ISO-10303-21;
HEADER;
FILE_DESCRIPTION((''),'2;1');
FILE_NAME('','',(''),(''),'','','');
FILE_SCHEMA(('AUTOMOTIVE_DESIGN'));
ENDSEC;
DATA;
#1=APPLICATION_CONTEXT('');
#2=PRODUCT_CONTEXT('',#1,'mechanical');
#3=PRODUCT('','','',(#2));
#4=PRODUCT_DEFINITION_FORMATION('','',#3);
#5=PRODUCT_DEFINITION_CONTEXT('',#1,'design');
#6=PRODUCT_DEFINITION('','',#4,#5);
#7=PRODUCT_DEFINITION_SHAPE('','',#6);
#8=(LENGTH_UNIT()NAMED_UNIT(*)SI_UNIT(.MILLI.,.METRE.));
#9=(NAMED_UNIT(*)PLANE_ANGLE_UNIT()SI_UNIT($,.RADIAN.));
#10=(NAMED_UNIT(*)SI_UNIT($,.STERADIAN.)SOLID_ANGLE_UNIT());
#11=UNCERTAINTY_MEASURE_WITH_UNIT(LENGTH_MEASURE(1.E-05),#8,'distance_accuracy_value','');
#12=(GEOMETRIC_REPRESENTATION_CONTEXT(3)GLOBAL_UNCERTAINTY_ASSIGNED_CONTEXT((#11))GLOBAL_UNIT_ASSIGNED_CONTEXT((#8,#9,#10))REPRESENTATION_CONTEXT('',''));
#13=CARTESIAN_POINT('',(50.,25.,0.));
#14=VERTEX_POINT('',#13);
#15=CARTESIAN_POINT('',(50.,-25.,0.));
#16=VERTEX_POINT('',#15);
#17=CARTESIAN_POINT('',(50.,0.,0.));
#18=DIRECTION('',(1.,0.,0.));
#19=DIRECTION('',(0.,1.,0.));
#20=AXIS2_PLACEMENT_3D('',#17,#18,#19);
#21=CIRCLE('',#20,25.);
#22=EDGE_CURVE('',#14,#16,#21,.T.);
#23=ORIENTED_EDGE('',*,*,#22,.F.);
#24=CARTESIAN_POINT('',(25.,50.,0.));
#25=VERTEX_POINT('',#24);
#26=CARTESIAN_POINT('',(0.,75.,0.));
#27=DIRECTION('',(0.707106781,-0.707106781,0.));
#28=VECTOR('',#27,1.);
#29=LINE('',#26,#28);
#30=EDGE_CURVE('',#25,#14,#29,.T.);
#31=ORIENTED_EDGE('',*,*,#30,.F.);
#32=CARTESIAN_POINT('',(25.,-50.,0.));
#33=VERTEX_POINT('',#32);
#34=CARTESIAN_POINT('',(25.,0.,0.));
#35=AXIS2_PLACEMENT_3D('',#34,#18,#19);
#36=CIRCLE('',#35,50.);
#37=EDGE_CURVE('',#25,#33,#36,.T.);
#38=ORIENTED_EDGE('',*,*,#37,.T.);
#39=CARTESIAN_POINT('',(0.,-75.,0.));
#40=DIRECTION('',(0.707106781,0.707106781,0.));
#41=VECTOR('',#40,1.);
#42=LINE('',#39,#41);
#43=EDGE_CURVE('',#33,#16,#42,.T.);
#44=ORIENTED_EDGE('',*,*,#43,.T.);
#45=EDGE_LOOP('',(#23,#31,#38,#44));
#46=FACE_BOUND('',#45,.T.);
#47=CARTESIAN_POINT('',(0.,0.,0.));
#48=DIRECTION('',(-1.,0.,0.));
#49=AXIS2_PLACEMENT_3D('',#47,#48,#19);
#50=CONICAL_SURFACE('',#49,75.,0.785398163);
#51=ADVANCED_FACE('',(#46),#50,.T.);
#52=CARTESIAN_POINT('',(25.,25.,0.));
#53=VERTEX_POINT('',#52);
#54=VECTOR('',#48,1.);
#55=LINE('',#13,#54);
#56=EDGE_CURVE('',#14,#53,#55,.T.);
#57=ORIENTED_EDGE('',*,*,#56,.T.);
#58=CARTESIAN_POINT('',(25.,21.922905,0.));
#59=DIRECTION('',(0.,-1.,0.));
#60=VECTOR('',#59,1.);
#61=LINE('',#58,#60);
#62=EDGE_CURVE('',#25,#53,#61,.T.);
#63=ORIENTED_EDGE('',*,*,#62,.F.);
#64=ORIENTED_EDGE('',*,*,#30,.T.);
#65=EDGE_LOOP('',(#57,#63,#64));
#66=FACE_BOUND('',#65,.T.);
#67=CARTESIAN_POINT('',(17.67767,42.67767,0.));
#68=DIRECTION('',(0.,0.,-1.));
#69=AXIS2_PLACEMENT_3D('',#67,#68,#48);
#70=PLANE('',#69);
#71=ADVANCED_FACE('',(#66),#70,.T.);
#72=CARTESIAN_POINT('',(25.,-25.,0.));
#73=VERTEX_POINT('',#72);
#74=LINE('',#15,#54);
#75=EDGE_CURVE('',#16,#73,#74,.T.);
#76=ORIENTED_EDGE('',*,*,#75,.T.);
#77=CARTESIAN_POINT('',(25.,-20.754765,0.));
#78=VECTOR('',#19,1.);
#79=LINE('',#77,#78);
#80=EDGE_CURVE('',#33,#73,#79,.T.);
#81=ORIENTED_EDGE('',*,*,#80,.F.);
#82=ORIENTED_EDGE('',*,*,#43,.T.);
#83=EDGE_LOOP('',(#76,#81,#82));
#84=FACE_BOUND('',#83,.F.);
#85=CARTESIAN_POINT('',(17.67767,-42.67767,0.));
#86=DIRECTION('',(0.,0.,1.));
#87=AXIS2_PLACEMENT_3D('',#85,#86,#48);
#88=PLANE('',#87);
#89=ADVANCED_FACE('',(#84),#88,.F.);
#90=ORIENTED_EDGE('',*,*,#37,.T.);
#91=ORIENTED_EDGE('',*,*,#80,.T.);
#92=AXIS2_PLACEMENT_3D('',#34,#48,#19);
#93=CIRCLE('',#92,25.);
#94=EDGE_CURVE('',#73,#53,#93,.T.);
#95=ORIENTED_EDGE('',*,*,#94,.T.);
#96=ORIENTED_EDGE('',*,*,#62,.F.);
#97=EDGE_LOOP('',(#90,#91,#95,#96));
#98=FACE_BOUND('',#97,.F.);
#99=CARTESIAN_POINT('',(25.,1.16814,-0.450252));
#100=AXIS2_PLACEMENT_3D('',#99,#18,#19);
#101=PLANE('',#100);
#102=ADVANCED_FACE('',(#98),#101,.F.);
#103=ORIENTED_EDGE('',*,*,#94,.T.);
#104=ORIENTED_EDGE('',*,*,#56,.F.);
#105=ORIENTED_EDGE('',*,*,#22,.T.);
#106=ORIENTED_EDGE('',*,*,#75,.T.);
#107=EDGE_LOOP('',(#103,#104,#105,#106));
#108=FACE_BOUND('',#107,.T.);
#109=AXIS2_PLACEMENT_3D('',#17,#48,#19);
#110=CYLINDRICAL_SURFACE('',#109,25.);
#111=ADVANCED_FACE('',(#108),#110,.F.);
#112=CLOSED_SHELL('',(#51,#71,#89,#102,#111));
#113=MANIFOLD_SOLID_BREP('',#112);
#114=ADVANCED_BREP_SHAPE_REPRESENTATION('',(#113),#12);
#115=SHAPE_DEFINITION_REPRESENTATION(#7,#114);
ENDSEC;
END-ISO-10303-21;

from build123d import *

# Parameters (mm, degrees)
SKETCH001_W      = 178.926751
SKETCH001_H      = 164.552085
PAD_DEPTH        = 25
REVOLUTION_ANGLE = 180


with BuildPart() as pad:
    # Sketch001 → Pad (new body)
    with BuildSketch(Plane.YZ):
        with Locations((1.16814, -0.450252)):
            Rectangle(SKETCH001_W, SKETCH001_H)
    extrude(amount=PAD_DEPTH)


with BuildPart() as cut:
    # Sketch → Revolution (revolve)
    with BuildSketch(Plane.XY):
        Polygon((0, 25), (0, 75), (50, 25), align=None)
    revolve(axis=Axis((0, 0, 0), (1, 0, 0)), revolution_arc=REVOLUTION_ANGLE)

    # Cut: cut Pad
    add(pad.part, mode=Mode.SUBTRACT)


solid = cut.part
